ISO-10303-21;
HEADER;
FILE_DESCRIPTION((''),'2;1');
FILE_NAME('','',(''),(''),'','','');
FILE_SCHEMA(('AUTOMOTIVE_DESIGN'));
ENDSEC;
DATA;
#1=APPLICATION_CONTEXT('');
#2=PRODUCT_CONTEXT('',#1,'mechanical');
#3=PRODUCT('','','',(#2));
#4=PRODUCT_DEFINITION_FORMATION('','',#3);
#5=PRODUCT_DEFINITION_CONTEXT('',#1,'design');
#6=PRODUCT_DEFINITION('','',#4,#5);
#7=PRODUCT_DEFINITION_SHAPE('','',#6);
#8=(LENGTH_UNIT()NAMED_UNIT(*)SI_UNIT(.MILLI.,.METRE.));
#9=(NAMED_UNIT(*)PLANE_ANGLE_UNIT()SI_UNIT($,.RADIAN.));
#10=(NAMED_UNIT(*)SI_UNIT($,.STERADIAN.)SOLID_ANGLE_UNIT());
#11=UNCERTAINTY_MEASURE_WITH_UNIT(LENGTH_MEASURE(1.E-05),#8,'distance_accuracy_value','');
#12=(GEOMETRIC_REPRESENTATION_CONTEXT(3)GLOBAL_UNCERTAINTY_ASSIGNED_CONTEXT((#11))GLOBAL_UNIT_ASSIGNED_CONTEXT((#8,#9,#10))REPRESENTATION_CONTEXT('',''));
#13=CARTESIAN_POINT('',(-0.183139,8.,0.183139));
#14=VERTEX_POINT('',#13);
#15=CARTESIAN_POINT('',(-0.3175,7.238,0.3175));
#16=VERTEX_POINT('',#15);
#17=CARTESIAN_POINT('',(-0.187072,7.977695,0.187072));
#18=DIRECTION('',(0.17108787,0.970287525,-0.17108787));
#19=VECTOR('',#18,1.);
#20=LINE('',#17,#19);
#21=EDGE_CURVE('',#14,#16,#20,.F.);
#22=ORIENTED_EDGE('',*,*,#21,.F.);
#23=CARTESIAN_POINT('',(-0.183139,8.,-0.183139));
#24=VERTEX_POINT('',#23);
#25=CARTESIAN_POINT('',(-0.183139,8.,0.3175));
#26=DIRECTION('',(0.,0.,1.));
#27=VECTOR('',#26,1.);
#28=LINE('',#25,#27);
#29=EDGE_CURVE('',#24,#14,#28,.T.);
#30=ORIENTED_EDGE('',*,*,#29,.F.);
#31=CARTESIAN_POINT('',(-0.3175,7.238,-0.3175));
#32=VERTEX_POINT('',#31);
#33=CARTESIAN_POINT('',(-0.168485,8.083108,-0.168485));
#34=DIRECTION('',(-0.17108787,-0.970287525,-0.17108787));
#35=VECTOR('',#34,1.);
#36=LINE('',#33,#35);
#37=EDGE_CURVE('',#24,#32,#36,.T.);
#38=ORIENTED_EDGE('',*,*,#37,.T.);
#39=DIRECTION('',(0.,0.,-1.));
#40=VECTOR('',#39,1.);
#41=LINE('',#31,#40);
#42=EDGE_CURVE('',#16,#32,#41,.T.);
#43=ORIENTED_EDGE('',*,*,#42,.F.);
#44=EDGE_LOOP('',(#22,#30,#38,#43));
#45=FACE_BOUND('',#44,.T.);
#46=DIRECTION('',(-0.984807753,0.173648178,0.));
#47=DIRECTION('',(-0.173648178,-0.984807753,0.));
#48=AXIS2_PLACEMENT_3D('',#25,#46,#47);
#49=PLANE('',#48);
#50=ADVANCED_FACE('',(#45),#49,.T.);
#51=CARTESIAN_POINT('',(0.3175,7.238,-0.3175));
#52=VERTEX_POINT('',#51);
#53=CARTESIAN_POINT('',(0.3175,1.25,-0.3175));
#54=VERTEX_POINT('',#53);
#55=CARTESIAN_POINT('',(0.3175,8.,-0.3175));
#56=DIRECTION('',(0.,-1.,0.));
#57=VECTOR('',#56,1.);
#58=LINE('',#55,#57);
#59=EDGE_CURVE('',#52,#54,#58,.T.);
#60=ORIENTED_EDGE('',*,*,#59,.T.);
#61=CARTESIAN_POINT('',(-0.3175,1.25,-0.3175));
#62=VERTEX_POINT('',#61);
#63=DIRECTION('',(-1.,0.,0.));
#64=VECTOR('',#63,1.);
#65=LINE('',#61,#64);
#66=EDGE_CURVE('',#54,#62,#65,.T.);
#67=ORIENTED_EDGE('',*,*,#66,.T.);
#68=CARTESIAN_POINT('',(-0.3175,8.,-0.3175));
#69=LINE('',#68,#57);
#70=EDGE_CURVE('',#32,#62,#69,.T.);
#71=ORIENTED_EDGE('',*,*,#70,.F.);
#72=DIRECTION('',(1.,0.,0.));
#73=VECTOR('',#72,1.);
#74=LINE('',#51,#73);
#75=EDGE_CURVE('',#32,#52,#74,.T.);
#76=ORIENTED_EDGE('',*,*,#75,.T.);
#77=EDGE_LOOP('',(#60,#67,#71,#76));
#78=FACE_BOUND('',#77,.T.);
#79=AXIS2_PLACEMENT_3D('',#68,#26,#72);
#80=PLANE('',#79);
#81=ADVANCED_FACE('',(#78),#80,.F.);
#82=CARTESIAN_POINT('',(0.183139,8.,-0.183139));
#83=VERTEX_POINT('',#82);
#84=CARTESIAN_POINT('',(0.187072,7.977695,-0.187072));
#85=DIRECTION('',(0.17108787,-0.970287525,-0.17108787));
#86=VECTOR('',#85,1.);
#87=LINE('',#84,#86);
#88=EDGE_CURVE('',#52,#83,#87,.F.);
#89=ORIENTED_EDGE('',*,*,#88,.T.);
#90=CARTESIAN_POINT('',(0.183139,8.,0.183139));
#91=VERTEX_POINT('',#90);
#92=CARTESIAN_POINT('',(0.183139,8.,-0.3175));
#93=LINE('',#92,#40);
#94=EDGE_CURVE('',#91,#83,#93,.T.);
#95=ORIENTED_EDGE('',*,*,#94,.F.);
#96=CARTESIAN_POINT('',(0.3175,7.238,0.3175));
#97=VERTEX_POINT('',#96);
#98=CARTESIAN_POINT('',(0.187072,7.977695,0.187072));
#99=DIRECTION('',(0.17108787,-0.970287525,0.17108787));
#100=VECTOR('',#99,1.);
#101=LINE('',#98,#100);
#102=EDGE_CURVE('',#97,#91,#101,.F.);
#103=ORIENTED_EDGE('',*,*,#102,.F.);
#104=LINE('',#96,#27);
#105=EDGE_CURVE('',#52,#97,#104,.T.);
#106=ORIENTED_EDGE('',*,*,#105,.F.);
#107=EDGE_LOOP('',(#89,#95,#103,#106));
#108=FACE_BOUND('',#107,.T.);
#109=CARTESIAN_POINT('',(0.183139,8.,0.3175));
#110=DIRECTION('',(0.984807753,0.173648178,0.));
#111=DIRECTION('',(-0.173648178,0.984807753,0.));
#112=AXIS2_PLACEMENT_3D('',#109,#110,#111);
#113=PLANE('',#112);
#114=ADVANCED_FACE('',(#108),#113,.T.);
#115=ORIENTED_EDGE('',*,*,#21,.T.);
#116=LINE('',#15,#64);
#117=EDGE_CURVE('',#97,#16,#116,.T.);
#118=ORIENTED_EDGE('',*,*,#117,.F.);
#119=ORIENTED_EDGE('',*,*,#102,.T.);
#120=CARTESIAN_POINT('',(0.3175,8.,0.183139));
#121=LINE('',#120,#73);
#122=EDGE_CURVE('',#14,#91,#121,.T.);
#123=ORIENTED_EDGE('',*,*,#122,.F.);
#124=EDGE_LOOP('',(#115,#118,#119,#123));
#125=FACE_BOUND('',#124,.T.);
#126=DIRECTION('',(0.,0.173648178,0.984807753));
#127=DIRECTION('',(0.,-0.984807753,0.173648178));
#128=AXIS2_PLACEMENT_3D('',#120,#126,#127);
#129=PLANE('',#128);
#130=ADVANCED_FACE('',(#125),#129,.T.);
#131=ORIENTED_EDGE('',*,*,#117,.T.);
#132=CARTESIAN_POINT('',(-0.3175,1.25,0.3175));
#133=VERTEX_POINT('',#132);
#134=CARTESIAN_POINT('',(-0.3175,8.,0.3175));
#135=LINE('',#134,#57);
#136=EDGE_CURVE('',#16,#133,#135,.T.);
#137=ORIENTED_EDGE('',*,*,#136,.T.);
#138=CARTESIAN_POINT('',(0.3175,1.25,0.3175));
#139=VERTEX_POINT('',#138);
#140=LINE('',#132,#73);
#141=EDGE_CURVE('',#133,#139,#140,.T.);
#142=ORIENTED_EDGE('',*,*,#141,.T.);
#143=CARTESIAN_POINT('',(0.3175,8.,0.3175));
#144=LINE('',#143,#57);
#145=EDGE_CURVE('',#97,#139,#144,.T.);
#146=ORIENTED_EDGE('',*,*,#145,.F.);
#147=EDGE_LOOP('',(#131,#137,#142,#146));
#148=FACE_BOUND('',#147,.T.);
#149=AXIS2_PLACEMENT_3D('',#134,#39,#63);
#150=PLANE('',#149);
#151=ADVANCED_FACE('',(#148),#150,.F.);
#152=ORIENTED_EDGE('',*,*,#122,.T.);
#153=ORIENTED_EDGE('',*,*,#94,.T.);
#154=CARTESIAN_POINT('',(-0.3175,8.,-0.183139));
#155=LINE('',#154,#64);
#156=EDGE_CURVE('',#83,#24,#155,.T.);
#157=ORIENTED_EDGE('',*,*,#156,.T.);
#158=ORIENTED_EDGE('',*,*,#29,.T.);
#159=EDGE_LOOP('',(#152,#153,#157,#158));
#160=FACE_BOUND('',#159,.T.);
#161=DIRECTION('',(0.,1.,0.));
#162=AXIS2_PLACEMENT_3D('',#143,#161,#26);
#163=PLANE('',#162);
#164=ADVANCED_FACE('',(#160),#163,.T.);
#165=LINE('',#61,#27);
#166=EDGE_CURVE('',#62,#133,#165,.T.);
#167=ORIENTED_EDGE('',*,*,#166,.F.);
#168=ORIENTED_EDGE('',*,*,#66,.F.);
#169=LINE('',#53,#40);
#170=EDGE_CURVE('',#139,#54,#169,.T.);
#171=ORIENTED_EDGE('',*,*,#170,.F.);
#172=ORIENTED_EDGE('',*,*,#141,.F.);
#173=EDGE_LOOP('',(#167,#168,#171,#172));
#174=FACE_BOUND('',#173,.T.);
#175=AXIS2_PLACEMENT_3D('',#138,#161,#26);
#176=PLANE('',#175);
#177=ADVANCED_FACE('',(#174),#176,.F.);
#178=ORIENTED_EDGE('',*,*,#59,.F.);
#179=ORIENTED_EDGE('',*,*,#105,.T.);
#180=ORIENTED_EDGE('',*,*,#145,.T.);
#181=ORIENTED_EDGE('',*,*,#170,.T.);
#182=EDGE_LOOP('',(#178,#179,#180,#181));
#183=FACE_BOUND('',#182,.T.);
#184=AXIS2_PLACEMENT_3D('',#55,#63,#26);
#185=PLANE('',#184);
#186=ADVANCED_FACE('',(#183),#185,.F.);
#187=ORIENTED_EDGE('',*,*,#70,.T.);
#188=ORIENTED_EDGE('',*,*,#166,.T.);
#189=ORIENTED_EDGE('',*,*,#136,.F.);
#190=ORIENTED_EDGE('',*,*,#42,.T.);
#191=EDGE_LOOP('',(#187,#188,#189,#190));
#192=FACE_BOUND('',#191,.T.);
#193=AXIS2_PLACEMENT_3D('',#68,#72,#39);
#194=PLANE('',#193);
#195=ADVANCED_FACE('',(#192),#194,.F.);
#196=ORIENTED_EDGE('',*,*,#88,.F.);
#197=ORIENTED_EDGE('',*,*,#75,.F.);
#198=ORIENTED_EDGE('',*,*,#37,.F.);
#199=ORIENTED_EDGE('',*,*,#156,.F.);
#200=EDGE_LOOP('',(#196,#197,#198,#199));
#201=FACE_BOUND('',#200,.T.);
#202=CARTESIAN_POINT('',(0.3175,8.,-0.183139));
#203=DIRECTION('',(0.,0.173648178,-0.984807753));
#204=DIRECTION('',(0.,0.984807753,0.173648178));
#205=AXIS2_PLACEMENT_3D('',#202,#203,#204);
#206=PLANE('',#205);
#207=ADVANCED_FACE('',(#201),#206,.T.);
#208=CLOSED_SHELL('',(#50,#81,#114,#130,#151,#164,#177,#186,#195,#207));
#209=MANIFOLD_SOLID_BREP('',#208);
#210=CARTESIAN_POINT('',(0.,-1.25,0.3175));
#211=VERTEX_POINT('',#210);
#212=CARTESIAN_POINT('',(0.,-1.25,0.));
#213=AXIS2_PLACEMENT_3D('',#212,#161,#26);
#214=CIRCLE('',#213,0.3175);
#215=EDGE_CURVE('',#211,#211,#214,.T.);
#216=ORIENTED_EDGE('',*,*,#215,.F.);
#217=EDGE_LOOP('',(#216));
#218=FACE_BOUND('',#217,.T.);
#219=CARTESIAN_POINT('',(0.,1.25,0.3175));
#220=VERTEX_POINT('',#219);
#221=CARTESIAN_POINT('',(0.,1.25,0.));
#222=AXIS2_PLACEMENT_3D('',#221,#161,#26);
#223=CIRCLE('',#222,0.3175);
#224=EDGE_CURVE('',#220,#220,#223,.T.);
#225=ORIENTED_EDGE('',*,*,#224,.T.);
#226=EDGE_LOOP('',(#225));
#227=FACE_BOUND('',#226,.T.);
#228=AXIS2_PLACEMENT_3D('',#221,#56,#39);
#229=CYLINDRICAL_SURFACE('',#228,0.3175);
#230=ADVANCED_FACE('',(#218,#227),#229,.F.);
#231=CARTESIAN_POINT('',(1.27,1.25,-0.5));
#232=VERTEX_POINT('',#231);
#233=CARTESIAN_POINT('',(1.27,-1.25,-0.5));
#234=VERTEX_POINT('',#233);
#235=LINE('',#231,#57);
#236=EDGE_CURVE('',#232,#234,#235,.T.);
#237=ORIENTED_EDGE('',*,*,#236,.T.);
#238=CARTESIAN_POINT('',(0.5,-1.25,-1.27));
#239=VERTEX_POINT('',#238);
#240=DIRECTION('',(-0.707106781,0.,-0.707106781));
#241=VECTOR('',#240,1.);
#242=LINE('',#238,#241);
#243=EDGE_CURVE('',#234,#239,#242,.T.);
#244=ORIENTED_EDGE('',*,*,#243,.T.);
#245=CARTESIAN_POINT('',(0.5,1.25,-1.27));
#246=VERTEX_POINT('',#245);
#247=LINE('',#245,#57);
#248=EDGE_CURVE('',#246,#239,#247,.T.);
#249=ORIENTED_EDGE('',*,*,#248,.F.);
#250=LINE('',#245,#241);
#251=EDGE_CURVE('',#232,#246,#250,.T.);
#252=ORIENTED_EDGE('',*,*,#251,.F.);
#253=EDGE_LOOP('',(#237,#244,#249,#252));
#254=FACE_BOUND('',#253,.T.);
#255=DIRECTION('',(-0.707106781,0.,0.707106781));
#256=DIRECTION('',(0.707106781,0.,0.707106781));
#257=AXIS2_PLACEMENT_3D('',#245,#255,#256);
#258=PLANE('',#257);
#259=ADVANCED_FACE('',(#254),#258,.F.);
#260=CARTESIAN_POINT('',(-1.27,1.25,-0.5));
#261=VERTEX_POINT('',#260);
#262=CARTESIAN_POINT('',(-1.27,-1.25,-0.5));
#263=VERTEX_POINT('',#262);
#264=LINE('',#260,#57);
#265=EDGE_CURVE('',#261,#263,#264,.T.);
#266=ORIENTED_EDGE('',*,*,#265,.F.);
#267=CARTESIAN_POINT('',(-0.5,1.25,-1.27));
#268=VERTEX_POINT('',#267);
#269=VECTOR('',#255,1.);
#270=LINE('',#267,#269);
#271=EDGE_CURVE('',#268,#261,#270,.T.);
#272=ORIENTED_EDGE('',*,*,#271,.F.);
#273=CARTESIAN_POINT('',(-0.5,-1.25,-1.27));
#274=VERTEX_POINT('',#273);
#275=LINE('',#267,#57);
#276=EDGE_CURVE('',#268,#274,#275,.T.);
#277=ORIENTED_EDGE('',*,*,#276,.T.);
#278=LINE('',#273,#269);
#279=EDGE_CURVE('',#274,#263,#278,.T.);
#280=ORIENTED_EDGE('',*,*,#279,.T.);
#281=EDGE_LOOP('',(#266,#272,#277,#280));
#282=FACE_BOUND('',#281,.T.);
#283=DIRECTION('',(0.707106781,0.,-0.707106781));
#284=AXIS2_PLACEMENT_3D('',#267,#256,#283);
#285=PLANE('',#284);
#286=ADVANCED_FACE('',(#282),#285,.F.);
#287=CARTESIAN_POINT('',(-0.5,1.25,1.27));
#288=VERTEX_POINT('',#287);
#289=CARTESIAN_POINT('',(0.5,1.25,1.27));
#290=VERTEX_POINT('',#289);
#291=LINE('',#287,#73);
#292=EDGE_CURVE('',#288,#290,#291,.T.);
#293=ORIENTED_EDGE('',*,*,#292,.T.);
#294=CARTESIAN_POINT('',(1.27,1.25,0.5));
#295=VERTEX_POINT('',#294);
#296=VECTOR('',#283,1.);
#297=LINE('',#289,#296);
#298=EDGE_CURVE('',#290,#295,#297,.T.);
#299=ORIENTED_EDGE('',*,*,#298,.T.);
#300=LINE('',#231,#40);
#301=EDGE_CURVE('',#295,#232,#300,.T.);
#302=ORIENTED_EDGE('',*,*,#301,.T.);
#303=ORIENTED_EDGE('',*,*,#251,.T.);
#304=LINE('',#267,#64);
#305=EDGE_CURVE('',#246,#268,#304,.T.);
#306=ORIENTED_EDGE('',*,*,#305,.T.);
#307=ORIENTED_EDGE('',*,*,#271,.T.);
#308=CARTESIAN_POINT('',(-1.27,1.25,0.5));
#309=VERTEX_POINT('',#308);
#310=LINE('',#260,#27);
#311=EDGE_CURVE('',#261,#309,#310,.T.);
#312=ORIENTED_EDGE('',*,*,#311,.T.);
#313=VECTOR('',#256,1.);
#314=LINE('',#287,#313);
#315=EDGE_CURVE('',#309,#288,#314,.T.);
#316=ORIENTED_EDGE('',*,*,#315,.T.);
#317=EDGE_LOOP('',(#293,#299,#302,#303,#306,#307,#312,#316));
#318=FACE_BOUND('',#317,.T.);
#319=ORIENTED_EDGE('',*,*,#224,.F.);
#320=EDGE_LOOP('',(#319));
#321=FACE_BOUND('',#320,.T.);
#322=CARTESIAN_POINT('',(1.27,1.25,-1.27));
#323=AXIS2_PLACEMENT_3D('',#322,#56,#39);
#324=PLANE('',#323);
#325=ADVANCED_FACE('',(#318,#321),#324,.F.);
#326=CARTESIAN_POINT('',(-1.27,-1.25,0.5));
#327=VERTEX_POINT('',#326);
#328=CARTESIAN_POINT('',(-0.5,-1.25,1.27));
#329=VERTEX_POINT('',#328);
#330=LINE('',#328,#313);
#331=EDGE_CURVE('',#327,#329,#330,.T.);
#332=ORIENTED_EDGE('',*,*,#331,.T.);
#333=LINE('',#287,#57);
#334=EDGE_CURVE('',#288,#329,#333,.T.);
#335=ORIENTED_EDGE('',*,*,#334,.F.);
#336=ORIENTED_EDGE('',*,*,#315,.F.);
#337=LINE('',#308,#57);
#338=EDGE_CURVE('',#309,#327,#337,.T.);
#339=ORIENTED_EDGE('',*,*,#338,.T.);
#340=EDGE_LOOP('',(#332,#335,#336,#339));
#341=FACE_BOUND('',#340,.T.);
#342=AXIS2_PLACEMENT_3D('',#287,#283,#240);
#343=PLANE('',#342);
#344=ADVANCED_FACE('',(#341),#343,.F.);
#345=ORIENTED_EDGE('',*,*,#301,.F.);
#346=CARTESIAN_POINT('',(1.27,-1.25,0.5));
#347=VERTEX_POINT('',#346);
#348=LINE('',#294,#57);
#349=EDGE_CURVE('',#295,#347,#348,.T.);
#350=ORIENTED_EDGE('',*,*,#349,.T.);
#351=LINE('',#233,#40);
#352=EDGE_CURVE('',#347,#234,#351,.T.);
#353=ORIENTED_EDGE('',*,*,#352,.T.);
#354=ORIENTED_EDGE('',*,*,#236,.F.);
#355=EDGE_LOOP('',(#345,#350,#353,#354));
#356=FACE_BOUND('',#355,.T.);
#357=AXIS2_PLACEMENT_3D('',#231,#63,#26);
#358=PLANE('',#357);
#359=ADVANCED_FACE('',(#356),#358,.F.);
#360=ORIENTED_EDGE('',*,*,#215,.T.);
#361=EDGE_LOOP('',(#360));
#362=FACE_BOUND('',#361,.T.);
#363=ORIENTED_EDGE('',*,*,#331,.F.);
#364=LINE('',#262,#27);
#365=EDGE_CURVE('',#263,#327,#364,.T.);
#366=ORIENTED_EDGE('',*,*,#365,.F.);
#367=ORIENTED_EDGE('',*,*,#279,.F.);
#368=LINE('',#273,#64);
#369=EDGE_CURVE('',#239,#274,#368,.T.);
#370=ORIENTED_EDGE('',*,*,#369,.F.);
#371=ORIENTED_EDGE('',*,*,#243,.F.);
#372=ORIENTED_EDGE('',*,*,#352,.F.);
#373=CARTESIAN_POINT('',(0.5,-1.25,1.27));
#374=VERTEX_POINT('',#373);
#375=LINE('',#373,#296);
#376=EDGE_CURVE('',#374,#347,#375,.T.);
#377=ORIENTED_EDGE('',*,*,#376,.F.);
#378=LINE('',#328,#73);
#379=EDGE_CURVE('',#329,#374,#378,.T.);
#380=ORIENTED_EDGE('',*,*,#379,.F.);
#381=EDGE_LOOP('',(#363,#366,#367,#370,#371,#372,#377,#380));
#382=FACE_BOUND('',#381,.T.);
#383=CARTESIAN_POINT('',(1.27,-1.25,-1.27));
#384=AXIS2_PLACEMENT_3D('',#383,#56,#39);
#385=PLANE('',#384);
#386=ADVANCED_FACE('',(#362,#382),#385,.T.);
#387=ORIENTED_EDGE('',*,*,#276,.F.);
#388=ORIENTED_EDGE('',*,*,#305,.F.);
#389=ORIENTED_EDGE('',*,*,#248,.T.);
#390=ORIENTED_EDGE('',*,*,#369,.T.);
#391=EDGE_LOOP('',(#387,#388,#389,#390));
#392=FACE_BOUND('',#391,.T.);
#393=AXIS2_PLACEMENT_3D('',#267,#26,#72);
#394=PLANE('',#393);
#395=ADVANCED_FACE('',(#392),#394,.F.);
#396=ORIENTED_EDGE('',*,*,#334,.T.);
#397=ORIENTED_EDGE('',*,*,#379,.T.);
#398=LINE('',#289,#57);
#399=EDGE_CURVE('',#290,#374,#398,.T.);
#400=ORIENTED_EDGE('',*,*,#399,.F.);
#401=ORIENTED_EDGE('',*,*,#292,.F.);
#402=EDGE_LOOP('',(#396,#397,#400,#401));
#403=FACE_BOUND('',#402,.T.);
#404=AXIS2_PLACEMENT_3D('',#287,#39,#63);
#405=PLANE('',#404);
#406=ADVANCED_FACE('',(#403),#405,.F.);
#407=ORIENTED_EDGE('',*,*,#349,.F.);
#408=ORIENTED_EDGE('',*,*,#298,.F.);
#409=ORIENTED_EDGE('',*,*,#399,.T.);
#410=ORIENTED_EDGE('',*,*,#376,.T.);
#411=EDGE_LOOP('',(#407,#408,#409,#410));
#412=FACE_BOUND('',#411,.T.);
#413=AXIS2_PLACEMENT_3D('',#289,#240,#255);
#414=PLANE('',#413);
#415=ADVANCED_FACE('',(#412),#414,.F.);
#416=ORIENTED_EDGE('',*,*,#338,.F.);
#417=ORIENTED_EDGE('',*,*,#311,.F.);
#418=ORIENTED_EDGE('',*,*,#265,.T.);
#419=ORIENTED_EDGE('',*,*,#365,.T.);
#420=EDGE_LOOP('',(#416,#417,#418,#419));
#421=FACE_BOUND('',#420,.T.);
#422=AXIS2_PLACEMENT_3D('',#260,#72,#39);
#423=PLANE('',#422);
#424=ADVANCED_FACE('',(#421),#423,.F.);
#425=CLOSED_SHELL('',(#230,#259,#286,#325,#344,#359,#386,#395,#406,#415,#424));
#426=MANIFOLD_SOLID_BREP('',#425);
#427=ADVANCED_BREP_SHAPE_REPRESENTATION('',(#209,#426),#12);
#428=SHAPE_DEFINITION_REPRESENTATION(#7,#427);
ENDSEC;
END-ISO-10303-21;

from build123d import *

# Parameters (mm, degrees)
SKETCH1_R             = 0.3175
BOSS_EXTRUDE1_DEPTH   = 1.25
SKETCH2_W             = 0.635
SKETCH2_H             = 0.635
BOSS_EXTRUDE2_DEPTH   = 6.75
CHAMFER2_SIZE         = 0.762
CHAMFER2_SIZE2        = 0.134361159
CHAMFER2_PART_2_SIZE  = 0.762
CHAMFER2_PART_2_SIZE2 = 0.134361159
CHAMFER2_PART_3_SIZE  = 0.762
CHAMFER2_PART_3_SIZE2 = 0.134361159
CHAMFER2_PART_4_SIZE  = 0.762
CHAMFER2_PART_4_SIZE2 = 0.134361159


with BuildPart() as part:
    # Sketch1 → Boss-Extrude1 (new body, symmetric)
    with BuildSketch(Plane(origin=(0, 0, 0), x_dir=(1, 0, 0), z_dir=(0, 1, 0))):
        Polygon((-0.5, 1.27), (-1.27, 0.5), (-1.27, -0.5), (-0.5, -1.27), (0.5, -1.27), (1.27, -0.5), (1.27, 0.5), (0.5, 1.27), align=None)
        with Locations(Location((0, 0, 0), (0, 0, 270))):  # turned: the seam where the file's is
            Circle(SKETCH1_R, mode=Mode.SUBTRACT)
    extrude(amount=BOSS_EXTRUDE1_DEPTH, both=True)


with BuildPart() as body_2:
    # Sketch2 → Boss-Extrude2 (new body)
    with BuildSketch(Plane(origin=(0, 1.25, 0), x_dir=(1, 0, 0), z_dir=(0, 1, 0))):
        Rectangle(SKETCH2_W, SKETCH2_H)
    extrude(amount=BOSS_EXTRUDE2_DEPTH)

    # Chamfer2
    chamfer2_edges = [body_2.edges().sort_by_distance(p)[0] for p in [
        (-0.3175, 8, 0),
    ]]
    chamfer2_side = [body_2.faces().sort_by_distance(p)[0] for p in [
        (-0.3175, 4.625, 0),
    ]]
    chamfer(chamfer2_edges, length=CHAMFER2_SIZE, length2=CHAMFER2_SIZE2, reference=chamfer2_side[0])

    # Chamfer2 part 2
    chamfer2_part_2_edges = [body_2.edges().sort_by_distance(p)[0] for p in [
        (0, 8, 0.3175),
    ]]
    chamfer2_part_2_side = [body_2.faces().sort_by_distance(p)[0] for p in [
        (0, 4.625, 0.3175),
    ]]
    chamfer(chamfer2_part_2_edges, length=CHAMFER2_PART_2_SIZE, length2=CHAMFER2_PART_2_SIZE2, reference=chamfer2_part_2_side[0])

    # Chamfer2 part 3
    chamfer2_part_3_edges = [body_2.edges().sort_by_distance(p)[0] for p in [
        (0.3175, 8, 0),
    ]]
    chamfer2_part_3_side = [body_2.faces().sort_by_distance(p)[0] for p in [
        (0.3175, 4.625, 0),
    ]]
    chamfer(chamfer2_part_3_edges, length=CHAMFER2_PART_3_SIZE, length2=CHAMFER2_PART_3_SIZE2, reference=chamfer2_part_3_side[0])

    # Chamfer2 part 4
    chamfer2_part_4_edges = [body_2.edges().sort_by_distance(p)[0] for p in [
        (0, 8, -0.3175),
    ]]
    chamfer2_part_4_side = [body_2.faces().sort_by_distance(p)[0] for p in [
        (0, 4.625, -0.3175),
    ]]
    chamfer(chamfer2_part_4_edges, length=CHAMFER2_PART_4_SIZE, length2=CHAMFER2_PART_4_SIZE2, reference=chamfer2_part_4_side[0])


solid = Compound([part.part, body_2.part])
